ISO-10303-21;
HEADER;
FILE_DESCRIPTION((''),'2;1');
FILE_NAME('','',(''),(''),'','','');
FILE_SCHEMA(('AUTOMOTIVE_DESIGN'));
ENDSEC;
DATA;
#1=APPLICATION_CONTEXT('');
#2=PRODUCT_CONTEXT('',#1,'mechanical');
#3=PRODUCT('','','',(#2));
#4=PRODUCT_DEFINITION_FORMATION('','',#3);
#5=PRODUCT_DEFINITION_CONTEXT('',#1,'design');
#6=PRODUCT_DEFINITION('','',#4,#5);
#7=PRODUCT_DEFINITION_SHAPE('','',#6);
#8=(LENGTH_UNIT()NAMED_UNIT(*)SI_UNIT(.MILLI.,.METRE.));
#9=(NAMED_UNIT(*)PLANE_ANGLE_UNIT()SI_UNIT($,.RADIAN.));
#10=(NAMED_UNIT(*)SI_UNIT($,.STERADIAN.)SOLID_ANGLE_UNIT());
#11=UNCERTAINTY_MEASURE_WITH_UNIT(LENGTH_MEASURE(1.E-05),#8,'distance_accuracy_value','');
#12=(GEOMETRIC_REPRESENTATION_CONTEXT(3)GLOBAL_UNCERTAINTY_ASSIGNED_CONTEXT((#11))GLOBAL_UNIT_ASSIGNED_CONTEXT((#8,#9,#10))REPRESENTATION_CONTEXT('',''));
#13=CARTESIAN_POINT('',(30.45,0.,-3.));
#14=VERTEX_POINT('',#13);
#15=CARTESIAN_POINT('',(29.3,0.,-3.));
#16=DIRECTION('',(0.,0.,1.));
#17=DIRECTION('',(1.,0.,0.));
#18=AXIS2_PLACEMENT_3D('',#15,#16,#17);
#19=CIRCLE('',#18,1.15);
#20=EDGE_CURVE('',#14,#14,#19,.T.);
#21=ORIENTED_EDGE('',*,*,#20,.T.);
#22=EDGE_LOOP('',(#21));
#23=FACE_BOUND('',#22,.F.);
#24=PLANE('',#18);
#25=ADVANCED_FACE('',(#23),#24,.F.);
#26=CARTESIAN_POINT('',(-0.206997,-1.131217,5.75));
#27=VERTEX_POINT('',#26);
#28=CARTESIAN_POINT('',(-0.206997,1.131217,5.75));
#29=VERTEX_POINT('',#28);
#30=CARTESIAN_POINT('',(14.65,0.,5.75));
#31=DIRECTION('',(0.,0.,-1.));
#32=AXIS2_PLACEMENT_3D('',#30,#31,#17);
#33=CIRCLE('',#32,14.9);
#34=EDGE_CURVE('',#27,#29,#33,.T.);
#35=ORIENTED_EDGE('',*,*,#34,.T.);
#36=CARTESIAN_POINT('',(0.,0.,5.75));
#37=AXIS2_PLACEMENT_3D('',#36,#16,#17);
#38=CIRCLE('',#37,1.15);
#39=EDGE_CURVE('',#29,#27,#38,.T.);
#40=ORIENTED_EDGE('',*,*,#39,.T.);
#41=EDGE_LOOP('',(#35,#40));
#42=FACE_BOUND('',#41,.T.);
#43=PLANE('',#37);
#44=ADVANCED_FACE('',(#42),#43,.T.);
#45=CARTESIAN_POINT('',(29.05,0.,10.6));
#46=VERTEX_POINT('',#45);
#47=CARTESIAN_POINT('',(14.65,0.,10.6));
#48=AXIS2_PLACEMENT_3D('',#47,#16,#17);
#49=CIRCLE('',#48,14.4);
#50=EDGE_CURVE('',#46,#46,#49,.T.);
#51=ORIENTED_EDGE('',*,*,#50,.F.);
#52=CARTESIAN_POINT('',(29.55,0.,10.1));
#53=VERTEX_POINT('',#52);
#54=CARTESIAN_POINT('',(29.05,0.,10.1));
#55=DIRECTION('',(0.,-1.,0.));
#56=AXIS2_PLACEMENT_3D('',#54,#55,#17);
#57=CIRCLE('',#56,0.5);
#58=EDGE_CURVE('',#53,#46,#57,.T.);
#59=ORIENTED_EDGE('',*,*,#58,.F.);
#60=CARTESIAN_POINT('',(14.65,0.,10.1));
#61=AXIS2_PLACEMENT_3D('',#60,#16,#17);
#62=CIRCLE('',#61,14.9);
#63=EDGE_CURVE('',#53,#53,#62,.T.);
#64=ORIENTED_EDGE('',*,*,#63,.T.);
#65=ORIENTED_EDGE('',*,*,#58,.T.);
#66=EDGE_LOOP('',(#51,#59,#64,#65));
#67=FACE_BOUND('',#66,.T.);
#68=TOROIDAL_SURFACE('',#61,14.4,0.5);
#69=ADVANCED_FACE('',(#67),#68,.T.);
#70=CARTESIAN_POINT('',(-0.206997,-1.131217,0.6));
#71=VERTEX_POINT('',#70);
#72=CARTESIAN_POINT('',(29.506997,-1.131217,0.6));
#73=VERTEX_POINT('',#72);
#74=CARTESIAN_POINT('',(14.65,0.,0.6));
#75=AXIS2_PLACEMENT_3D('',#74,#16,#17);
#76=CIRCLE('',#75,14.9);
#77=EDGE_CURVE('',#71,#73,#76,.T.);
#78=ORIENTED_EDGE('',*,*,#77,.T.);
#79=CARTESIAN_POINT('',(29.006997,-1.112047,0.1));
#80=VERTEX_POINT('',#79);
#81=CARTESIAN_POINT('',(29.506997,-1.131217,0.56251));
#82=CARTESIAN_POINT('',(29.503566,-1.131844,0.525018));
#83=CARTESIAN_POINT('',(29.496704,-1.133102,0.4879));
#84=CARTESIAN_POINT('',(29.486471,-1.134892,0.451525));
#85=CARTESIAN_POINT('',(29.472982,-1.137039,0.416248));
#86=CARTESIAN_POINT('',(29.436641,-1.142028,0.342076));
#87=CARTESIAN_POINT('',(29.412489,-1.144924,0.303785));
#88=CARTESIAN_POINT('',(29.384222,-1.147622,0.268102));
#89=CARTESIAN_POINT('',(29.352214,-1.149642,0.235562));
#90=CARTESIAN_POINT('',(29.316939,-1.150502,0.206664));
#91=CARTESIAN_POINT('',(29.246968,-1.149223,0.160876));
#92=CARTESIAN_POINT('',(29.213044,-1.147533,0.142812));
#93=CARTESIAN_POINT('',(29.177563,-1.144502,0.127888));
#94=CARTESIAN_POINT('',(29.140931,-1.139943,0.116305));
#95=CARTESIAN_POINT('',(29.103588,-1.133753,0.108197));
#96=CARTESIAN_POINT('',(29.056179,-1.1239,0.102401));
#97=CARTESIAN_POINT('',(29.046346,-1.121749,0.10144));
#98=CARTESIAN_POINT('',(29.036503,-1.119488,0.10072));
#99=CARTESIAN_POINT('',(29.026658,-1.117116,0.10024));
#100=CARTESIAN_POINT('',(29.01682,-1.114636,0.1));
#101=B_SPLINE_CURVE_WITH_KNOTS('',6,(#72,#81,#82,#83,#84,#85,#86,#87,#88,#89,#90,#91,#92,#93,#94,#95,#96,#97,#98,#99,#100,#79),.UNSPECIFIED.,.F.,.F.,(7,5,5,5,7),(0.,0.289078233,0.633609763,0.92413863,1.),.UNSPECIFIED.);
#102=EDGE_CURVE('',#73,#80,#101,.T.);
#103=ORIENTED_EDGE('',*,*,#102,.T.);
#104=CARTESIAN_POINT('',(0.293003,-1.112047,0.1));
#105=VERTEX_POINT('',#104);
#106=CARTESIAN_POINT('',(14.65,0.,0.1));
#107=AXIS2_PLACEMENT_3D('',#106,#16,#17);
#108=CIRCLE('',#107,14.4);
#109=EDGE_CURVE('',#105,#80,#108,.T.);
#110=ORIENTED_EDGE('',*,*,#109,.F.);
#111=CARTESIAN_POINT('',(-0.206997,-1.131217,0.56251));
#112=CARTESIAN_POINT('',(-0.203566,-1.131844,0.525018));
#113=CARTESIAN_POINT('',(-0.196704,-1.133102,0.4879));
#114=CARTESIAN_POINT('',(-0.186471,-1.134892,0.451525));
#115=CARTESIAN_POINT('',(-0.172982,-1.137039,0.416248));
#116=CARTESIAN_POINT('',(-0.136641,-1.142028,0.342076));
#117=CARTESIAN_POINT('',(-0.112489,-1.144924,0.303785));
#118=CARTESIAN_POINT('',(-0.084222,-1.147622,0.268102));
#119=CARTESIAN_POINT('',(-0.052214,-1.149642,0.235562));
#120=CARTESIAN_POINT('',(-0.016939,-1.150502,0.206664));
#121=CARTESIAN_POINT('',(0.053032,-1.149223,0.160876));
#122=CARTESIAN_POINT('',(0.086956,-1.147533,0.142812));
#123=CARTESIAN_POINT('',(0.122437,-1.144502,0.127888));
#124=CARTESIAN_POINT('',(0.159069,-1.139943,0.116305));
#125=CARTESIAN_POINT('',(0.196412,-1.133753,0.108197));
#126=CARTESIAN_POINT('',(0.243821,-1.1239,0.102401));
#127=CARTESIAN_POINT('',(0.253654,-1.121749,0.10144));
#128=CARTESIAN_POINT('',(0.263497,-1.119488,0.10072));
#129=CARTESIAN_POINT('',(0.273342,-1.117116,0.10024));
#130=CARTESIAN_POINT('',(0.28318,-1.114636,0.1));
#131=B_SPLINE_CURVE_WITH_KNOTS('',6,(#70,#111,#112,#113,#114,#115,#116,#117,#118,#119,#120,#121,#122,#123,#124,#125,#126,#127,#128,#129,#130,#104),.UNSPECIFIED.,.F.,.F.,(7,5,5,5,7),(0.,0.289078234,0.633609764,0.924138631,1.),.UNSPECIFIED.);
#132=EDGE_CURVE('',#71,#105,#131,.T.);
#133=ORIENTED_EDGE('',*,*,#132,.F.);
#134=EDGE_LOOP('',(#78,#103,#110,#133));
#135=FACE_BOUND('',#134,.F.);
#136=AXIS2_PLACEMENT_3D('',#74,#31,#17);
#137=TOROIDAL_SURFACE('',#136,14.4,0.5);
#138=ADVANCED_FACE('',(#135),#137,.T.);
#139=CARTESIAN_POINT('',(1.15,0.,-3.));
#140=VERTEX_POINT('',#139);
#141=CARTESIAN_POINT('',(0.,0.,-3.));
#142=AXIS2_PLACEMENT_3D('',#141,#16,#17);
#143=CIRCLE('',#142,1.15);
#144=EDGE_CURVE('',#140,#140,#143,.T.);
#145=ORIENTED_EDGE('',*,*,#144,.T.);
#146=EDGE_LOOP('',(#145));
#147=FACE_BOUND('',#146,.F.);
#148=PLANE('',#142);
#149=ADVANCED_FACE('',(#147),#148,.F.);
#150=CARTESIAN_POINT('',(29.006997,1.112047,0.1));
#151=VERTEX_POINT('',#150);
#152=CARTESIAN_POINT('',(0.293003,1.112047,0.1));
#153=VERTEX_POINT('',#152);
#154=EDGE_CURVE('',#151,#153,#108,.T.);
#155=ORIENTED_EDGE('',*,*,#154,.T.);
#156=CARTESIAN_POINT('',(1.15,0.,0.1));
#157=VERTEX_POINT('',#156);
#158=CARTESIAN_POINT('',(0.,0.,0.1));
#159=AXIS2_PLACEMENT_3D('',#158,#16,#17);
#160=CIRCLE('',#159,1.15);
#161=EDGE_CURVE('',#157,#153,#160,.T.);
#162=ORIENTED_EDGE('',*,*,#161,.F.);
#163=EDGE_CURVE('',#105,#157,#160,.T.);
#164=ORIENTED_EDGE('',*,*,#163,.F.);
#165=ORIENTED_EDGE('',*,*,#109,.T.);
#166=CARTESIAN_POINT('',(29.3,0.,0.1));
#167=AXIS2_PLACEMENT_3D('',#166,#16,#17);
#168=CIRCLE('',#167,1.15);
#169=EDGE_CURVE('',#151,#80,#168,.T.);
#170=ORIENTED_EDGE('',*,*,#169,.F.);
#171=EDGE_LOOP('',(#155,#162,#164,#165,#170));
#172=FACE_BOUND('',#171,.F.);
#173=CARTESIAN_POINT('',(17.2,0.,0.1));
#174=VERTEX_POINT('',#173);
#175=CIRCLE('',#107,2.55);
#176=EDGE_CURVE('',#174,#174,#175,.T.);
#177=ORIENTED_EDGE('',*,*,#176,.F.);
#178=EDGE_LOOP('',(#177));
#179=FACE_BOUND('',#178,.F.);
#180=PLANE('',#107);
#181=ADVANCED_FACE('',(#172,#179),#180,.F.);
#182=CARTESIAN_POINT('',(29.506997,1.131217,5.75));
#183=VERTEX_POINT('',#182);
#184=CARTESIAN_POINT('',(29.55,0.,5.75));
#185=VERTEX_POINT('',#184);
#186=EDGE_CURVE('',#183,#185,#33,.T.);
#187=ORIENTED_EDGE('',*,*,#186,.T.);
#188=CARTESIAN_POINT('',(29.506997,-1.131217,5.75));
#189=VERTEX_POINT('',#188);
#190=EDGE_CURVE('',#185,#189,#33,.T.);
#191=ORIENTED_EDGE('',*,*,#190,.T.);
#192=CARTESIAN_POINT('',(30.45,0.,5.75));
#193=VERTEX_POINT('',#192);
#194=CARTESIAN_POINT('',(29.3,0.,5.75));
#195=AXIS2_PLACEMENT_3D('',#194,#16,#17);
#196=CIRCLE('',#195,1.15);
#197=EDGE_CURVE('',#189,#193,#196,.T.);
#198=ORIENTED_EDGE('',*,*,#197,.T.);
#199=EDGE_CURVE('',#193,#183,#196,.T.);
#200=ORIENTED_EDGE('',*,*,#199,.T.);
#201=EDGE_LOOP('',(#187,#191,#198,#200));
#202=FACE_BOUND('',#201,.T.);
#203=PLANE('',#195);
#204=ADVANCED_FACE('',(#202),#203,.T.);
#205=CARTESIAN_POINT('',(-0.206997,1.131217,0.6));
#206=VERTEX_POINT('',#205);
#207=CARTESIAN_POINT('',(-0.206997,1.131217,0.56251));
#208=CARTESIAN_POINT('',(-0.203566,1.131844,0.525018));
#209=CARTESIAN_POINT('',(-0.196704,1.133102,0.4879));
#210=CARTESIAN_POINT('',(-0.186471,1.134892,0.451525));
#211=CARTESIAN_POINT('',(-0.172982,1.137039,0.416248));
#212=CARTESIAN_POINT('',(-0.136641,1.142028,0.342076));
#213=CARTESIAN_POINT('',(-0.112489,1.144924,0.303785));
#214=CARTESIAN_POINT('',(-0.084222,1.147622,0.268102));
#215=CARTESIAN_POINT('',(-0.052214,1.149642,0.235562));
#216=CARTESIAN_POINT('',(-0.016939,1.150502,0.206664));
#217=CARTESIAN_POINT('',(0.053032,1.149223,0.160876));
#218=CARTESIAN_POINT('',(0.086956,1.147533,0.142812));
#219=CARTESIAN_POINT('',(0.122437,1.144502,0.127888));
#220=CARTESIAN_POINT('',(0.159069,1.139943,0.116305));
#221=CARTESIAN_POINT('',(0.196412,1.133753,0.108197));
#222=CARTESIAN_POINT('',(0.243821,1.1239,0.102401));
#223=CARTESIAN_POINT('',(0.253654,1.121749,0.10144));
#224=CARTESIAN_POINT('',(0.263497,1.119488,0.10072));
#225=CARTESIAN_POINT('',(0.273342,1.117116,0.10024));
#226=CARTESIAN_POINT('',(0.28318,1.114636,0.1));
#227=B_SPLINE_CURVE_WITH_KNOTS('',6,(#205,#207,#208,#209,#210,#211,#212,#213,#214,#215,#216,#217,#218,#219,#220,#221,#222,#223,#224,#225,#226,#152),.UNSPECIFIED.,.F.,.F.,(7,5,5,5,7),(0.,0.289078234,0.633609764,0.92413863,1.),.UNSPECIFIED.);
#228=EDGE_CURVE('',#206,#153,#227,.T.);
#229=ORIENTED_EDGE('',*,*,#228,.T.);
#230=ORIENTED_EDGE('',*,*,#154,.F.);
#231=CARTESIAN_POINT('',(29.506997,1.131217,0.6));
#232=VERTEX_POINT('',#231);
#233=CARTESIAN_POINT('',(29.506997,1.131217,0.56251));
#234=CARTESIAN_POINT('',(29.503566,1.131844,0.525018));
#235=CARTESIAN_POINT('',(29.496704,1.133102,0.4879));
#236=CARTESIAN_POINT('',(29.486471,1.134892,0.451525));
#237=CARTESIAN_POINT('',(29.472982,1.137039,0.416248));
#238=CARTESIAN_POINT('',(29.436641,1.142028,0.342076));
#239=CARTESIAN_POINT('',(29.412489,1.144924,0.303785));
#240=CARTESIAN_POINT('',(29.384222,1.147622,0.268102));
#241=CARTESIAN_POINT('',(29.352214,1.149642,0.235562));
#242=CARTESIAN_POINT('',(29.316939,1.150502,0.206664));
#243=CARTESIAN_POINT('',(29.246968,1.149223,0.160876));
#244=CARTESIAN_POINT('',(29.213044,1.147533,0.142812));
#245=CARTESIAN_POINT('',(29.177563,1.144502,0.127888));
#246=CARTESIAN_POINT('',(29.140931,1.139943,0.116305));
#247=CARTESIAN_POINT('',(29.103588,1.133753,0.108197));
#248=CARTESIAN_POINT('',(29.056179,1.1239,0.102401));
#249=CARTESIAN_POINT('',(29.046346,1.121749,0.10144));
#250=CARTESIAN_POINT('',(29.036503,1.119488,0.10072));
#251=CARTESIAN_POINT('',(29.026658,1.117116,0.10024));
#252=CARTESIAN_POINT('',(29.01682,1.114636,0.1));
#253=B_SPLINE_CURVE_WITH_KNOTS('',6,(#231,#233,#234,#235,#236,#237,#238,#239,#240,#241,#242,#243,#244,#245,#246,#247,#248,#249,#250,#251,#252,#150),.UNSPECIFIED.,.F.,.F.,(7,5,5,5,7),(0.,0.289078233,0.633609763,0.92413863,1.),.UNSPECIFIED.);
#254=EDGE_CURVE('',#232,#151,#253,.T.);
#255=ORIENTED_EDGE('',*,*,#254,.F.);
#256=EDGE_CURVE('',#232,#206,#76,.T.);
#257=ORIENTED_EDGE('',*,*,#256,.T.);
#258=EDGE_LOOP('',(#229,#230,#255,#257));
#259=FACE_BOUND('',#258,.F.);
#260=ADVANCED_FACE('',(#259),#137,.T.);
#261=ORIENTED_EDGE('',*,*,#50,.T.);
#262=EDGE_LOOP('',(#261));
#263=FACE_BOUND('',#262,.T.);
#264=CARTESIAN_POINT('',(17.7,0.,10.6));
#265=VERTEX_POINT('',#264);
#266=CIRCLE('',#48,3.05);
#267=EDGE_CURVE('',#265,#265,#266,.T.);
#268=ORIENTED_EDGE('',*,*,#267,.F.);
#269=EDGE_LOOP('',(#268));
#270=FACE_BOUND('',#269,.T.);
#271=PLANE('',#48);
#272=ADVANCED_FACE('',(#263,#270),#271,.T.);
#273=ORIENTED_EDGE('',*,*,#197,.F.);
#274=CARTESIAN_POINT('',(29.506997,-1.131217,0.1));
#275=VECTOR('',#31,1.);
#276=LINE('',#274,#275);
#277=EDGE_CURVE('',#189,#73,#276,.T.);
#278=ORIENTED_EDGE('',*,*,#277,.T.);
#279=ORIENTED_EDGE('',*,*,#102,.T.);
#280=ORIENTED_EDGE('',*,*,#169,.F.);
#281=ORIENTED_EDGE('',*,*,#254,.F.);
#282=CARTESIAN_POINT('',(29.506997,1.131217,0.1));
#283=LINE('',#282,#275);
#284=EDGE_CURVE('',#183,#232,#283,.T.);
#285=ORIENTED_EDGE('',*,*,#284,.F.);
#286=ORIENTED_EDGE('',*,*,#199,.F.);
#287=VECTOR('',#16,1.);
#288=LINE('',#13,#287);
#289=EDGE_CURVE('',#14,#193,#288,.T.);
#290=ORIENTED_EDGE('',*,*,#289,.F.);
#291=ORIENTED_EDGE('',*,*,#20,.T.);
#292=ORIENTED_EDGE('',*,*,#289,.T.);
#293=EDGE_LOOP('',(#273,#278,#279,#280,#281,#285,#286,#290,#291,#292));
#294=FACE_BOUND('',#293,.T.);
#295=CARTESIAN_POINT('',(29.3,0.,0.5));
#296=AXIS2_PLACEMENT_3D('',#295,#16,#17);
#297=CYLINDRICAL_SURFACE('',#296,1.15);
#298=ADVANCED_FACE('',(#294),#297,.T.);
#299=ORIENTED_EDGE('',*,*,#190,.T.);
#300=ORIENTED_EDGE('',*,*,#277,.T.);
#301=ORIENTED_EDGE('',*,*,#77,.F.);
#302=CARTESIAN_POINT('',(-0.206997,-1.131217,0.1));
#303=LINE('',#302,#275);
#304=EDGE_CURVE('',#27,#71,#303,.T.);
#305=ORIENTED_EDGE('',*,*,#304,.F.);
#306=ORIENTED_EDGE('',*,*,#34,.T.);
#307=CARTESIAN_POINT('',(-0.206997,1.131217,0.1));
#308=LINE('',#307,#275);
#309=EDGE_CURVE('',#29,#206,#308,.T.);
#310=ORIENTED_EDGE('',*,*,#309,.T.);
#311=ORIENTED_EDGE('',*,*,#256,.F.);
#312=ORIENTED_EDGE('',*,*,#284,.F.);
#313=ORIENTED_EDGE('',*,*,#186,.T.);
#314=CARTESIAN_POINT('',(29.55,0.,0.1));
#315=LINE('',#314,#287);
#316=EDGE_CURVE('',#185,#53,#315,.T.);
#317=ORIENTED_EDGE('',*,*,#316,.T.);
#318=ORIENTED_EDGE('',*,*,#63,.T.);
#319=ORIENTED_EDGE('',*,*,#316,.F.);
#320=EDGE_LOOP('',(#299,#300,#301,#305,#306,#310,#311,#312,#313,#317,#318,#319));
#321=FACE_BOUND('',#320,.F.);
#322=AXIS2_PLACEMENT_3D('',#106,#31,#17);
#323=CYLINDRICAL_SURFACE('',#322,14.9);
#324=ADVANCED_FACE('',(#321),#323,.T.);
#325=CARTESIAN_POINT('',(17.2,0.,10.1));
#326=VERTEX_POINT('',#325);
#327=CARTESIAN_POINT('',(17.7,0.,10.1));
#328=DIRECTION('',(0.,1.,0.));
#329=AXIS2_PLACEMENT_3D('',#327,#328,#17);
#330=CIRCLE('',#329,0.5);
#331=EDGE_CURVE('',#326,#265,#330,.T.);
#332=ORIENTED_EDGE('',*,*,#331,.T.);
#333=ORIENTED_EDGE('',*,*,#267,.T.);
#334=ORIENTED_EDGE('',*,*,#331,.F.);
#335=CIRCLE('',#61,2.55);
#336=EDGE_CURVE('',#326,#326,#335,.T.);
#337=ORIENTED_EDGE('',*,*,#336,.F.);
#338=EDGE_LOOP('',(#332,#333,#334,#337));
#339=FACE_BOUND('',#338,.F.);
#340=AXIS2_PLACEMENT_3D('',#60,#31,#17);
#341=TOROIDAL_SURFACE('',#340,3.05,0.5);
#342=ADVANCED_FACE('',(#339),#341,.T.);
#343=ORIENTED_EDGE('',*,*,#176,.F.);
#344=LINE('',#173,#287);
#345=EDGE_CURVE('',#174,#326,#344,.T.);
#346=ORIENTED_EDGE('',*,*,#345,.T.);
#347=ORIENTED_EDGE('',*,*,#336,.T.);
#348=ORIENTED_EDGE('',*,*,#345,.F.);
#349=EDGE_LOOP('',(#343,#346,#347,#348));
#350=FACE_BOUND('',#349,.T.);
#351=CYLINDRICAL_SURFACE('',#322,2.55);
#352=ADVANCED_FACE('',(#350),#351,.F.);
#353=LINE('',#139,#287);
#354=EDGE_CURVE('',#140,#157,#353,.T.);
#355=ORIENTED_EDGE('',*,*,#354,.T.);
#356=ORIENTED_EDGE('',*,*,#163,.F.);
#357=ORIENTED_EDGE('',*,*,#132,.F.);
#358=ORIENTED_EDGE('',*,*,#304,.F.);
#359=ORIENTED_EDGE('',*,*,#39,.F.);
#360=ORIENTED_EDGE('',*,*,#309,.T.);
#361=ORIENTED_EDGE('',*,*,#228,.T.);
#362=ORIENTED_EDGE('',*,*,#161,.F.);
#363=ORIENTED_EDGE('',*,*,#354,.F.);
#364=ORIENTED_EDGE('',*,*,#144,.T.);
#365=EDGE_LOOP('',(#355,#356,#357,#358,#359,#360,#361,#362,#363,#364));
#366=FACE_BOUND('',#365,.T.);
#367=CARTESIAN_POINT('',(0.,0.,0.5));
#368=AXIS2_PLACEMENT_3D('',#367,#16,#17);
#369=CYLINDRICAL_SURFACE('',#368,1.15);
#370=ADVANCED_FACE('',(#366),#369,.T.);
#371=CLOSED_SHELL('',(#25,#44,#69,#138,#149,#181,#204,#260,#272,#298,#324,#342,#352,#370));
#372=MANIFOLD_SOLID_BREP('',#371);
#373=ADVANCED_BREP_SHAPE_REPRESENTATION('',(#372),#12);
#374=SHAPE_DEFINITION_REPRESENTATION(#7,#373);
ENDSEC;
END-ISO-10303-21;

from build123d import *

# Parameters (mm, degrees)
SKETCH001_R       = 1.15
PAD001_DEPTH      = 5.25
PAD001_DEPTH_BACK = 3.5
SKETCH_R          = 14.9
SKETCH_R_2        = 2.55
PAD_DEPTH         = 10.5
FILLET_R          = 0.5


with BuildPart() as pad001:
    # Sketch001 → Pad001 (new body, two sides)
    with BuildSketch(Plane.XY.offset(0.5)) as pad001_sk:
        Circle(SKETCH001_R)
        with Locations((29.3, 0)):
            Circle(SKETCH001_R)
    extrude(amount=PAD001_DEPTH)
    extrude(pad001_sk.sketch, amount=-PAD001_DEPTH_BACK)


with BuildPart() as fillet_mp_cp:
    # Sketch → Pad (new body)
    with BuildSketch(Plane.XY.offset(0.1)):
        with Locations((14.65, 0)):
            Circle(SKETCH_R)
        with Locations((14.65, 0)):
            Circle(SKETCH_R_2, mode=Mode.SUBTRACT)
    extrude(amount=PAD_DEPTH)

    # Fillet
    fillet_edges = [fillet_mp_cp.edges().sort_by_distance(p)[0] for p in [
        (12.1, 0, 10.6),
        (-0.25, 0, 10.6),
        (-0.25, 0, 0.1),
    ]]
    fillet(fillet_edges, radius=FILLET_R)

    # Fillet_mp_cp: union Pad001
    add(pad001.part)


solid = fillet_mp_cp.part
